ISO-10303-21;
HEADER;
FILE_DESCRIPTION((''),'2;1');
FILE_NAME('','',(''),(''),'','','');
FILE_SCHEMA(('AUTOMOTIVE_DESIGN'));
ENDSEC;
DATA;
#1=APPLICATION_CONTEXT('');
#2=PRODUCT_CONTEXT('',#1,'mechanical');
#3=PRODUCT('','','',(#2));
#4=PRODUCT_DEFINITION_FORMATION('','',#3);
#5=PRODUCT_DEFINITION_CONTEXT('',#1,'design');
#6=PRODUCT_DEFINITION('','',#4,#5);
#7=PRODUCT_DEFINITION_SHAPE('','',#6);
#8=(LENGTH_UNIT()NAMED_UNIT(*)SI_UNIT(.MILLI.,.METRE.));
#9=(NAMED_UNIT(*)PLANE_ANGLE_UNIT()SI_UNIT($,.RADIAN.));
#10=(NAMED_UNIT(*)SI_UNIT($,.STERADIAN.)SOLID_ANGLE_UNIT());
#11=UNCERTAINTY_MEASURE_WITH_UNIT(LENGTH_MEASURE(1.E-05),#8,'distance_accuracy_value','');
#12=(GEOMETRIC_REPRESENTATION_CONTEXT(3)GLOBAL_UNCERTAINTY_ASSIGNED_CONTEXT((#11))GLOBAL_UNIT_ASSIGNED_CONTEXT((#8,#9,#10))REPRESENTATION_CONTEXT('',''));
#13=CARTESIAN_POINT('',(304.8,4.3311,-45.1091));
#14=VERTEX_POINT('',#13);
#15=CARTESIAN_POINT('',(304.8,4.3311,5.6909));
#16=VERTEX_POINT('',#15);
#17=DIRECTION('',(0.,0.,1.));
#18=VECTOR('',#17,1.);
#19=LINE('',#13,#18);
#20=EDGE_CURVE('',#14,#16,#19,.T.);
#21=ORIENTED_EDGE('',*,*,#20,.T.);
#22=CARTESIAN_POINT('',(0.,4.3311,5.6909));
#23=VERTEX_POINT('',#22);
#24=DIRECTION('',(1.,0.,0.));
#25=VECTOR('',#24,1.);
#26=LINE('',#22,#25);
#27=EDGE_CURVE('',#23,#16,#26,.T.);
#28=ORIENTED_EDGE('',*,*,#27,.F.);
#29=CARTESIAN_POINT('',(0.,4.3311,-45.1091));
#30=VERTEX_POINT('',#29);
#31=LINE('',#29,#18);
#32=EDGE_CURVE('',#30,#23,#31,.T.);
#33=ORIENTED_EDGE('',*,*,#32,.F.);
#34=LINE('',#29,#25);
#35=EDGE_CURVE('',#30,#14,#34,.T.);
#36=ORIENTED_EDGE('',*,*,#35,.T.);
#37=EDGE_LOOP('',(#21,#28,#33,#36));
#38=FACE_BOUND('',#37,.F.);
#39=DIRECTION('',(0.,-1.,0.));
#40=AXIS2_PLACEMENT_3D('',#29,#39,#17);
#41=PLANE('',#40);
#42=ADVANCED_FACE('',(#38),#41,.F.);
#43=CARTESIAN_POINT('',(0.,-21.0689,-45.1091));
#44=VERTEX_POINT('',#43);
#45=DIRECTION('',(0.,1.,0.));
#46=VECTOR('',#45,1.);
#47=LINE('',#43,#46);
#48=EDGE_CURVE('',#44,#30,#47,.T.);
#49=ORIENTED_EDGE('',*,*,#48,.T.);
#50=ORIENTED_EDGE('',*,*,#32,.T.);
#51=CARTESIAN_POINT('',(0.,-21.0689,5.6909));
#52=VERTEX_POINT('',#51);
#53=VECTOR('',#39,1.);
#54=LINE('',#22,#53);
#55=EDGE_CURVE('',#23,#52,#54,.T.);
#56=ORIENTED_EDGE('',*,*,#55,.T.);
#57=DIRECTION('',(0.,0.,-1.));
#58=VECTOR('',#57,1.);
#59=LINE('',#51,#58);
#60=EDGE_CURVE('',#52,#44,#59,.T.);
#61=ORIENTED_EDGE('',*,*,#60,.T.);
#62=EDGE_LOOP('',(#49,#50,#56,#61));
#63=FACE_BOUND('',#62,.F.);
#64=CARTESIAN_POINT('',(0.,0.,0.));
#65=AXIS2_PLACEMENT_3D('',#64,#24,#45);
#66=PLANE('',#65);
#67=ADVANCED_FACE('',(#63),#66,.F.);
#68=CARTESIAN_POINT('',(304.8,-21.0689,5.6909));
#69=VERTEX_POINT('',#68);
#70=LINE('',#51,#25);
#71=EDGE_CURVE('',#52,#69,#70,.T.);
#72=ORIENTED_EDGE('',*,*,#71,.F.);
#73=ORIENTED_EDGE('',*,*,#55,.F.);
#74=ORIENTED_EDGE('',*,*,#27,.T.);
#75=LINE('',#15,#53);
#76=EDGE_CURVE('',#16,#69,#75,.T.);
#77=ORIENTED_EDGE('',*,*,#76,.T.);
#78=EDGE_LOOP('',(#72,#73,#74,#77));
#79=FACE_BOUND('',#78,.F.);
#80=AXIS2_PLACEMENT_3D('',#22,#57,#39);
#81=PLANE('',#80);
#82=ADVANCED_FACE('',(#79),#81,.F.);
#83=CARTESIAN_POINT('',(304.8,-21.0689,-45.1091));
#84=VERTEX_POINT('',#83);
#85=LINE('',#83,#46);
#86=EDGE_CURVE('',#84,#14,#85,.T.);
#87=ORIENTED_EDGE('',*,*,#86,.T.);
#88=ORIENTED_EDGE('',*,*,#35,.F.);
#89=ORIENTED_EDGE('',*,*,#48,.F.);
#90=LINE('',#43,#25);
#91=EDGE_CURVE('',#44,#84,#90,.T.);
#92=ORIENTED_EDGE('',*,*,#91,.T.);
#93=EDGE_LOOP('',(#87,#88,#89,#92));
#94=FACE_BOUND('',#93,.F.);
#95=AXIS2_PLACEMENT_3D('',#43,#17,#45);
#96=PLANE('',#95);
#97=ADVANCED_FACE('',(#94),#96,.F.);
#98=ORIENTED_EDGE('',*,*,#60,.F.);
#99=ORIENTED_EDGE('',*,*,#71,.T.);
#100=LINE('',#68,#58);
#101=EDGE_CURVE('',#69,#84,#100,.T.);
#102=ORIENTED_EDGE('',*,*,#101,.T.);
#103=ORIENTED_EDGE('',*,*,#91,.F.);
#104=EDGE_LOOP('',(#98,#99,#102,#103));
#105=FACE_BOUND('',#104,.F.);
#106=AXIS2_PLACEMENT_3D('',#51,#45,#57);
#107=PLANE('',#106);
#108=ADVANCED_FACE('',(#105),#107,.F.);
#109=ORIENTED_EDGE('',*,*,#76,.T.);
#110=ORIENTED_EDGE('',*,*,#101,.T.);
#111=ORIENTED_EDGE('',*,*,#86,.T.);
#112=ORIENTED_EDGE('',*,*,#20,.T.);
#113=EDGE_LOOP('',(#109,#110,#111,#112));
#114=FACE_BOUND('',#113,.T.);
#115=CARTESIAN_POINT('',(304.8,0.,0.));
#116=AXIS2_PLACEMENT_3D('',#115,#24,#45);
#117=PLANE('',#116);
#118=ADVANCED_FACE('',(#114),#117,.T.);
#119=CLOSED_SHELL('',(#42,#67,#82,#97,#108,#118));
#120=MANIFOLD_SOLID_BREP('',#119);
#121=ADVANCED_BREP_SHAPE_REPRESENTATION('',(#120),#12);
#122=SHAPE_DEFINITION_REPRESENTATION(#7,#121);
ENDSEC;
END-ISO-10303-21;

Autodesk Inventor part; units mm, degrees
ref_plane "YZ Plane" through (0, 0, 0) normal (1, 0, 0) x (0, 1, 0)
ref_plane "XZ Plane" through (0, 0, 0) normal (0, 1, 0) x (-1, 0, 0)
ref_plane "XY Plane" through (0, 0, 0) normal (0, 0, 1) x (1, 0, 0)
sketch "Sketch1" plane through (0, 0, 0) normal (1, 0, 0) x (0, 1, 0)
  line L0 (4.3311, 5.6909) -> (-21.0689, 5.6909)
  line L1 (-21.0689, 5.6909) -> (-21.0689, -45.1091)
  line L2 (-21.0689, -45.1091) -> (4.3311, -45.1091)
  line L3 (4.3311, -45.1091) -> (4.3311, 5.6909)
  point P0 (0, 0)
  dimension "d0" = 25.4
  dimension "d1" = 50.8
extrude "Extrusion1" add sketch "Sketch1" along normal blind 304.8
properties part number "1x2 Beam Test"
